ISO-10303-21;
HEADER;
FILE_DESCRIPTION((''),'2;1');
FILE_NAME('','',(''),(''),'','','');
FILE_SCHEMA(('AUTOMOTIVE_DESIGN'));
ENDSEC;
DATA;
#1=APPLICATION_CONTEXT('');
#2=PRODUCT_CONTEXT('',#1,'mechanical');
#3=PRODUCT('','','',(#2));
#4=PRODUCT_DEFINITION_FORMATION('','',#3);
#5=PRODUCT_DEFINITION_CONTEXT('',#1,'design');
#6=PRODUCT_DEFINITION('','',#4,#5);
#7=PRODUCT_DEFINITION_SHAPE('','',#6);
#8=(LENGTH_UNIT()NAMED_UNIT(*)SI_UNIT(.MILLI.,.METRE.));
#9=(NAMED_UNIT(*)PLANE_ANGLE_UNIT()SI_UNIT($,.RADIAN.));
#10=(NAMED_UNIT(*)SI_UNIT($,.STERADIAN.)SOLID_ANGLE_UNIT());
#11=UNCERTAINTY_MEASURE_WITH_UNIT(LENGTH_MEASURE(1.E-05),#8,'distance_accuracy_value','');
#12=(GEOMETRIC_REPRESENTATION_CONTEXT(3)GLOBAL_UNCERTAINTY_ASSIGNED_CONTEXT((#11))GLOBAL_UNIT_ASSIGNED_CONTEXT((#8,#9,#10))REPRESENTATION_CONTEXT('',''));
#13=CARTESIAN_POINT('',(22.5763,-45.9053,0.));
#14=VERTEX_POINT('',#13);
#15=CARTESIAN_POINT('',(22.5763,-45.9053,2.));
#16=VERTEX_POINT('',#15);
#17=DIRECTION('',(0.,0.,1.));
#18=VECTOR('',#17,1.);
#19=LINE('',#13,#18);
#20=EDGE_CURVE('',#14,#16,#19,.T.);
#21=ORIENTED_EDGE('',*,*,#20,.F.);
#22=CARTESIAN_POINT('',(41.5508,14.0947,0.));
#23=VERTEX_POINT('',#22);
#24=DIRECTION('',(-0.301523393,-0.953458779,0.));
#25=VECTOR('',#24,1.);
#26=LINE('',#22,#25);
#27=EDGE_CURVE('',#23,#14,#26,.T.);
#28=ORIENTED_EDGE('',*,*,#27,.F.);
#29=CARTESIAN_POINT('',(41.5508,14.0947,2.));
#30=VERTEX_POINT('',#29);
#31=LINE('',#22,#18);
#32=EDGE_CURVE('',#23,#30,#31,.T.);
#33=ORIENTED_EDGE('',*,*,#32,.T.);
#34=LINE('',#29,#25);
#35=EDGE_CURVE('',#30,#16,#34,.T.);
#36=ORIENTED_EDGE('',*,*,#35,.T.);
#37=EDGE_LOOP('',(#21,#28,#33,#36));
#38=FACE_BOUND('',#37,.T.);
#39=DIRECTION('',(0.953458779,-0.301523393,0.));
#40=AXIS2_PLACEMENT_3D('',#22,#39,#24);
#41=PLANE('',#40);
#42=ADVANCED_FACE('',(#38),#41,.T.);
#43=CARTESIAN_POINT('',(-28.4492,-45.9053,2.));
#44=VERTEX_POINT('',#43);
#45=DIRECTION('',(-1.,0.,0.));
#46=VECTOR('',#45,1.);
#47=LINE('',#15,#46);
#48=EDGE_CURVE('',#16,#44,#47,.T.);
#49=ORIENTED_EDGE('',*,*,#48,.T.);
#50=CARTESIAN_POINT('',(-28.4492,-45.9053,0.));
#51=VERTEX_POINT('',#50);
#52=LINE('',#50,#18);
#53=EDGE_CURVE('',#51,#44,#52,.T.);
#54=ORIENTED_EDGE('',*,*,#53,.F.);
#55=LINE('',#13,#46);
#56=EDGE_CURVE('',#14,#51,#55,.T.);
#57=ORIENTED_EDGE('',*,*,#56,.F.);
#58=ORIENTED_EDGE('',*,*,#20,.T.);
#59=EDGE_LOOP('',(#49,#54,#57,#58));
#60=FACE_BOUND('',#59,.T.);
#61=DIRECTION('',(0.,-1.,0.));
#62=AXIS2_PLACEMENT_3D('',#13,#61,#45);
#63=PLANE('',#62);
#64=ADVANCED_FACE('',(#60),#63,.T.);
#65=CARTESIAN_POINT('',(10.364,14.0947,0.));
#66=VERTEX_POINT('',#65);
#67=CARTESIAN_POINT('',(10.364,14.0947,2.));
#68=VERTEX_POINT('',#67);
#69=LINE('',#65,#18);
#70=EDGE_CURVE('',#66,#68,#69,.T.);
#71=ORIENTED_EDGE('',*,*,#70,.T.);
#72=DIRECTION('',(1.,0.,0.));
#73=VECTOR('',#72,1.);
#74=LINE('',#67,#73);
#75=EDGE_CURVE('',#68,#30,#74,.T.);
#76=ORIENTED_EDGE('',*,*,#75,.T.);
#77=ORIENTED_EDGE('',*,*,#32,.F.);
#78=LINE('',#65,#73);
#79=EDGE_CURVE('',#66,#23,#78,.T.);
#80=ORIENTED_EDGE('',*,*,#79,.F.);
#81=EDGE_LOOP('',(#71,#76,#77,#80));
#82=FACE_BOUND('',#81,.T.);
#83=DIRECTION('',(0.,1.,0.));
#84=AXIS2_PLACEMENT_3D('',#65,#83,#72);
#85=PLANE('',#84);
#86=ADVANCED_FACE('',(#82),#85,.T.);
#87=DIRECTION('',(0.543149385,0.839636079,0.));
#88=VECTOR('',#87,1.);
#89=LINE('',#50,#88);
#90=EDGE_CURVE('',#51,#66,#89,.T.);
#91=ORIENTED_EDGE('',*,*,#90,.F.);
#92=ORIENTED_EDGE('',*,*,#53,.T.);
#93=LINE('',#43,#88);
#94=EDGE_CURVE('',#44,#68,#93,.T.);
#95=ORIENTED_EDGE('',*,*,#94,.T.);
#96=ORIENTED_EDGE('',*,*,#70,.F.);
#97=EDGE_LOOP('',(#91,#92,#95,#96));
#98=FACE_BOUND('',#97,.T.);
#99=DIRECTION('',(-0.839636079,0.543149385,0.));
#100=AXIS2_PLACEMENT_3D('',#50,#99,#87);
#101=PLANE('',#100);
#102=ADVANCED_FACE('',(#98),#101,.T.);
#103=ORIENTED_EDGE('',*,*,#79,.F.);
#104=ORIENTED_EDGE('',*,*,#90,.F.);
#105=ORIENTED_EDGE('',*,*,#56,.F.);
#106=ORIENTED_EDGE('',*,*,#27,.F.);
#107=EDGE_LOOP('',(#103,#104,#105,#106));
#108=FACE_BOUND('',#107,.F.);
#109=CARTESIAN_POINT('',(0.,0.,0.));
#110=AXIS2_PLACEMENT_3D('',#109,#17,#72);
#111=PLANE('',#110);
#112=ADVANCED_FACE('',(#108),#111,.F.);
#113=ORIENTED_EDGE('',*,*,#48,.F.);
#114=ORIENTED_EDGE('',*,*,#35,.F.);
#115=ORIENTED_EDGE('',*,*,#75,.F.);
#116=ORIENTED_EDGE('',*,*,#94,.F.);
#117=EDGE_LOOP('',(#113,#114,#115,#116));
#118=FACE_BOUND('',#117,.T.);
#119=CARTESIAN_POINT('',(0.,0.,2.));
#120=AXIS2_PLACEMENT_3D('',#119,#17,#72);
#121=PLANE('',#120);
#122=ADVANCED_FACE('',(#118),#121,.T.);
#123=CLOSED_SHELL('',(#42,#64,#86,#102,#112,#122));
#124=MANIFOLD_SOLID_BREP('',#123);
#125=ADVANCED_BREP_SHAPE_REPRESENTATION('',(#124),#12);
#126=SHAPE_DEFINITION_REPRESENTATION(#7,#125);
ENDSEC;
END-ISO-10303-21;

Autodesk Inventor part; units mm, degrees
ref_plane "YZ Plane" through (0, 0, 0) normal (1, 0, 0) x (0, 1, 0)
ref_plane "XZ Plane" through (0, 0, 0) normal (0, 1, 0) x (-1, 0, 0)
ref_plane "XY Plane" through (0, 0, 0) normal (0, 0, 1) x (1, 0, 0)
sketch "Sketch1" plane through (0, 0, 0) normal (0, 0, 1) x (1, 0, 0)
  line L0 (10.364, 14.0947) -> (41.5508, 14.0947)
  line L1 (22.5763, -45.9053) -> (-28.4492, -45.9053)
  line L2 (41.5508, 14.0947) -> (22.5763, -45.9053)
  line L3 (-28.4492, -45.9053) -> (10.364, 14.0947)
  point P0 (0, 0)
extrude "Extrusion1" add sketch "Sketch1" along normal blind 2
properties part number "fin set"
